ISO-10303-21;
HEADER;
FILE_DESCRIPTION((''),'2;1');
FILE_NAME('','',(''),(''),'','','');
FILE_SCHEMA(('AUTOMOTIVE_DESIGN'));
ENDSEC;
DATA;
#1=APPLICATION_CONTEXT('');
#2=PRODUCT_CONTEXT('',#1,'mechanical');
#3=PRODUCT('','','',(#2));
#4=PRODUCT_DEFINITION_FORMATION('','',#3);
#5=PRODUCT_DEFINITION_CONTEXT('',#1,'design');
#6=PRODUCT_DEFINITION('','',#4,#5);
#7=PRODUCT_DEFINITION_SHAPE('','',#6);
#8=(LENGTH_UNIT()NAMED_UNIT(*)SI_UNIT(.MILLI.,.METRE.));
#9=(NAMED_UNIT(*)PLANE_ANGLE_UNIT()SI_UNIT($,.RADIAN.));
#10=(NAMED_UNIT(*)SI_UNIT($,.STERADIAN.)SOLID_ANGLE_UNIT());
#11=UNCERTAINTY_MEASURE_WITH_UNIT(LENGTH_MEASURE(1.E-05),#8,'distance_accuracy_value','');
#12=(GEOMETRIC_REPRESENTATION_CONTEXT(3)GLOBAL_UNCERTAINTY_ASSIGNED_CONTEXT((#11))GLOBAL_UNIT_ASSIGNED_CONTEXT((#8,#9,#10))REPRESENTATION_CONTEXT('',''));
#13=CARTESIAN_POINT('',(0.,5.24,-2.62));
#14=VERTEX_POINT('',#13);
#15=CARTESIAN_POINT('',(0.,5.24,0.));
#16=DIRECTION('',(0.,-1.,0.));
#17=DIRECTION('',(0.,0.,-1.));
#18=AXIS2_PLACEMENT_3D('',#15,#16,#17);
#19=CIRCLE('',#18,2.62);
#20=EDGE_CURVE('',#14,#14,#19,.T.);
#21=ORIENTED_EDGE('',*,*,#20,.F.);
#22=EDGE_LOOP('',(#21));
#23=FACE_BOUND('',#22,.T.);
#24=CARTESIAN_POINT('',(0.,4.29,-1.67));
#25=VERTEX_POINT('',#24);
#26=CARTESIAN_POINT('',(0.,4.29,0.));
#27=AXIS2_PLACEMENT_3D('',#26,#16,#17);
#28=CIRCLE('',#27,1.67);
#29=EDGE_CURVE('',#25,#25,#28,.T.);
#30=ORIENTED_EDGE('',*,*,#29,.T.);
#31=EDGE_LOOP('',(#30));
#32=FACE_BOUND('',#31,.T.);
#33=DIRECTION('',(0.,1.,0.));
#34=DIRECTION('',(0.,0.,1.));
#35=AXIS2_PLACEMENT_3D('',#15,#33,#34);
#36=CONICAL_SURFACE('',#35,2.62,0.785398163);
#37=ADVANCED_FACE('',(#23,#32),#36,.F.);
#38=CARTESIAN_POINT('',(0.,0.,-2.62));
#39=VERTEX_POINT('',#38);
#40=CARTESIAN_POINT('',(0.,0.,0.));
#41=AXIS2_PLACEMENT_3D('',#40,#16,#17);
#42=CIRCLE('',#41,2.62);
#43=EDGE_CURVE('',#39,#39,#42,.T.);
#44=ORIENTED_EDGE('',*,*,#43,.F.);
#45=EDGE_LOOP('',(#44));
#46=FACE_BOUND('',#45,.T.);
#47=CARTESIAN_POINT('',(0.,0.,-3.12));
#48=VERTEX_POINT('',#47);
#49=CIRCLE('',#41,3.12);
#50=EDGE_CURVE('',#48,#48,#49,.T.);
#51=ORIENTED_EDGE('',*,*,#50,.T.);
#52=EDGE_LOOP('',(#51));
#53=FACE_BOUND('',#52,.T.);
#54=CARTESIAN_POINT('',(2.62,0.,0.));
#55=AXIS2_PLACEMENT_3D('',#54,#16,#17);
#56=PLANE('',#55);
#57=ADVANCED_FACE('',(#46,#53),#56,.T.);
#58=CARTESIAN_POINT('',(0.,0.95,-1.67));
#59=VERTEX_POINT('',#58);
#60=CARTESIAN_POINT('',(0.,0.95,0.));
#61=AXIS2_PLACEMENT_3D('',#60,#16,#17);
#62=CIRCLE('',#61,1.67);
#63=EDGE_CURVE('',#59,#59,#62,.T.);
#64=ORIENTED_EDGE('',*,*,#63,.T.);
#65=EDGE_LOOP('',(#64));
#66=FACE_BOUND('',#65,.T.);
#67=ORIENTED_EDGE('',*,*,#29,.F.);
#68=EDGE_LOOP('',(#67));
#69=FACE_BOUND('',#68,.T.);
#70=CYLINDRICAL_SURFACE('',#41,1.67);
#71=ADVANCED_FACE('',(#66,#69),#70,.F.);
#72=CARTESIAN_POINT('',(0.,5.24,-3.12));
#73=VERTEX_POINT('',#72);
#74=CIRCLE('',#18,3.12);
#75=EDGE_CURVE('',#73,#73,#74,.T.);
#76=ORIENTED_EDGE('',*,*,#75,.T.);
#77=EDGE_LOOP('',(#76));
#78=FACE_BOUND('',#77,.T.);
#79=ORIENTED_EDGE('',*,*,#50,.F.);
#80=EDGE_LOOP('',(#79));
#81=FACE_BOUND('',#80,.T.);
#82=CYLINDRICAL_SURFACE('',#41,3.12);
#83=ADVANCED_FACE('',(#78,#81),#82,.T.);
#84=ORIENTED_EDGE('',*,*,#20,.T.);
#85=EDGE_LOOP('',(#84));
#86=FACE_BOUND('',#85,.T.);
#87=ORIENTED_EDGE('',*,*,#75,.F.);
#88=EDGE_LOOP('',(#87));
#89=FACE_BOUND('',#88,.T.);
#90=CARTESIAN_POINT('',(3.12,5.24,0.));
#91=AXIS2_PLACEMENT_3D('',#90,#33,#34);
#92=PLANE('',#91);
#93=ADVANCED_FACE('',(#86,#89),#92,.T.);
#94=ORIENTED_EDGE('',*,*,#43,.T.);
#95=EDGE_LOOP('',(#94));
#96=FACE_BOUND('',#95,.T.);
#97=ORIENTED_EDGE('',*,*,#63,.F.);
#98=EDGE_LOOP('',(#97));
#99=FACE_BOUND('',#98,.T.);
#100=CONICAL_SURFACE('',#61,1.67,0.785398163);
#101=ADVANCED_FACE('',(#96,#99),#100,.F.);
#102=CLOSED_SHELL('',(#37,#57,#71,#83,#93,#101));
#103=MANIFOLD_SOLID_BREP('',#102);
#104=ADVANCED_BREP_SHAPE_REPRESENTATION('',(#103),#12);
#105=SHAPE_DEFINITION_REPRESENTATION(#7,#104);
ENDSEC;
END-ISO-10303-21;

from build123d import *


with BuildPart() as part:
    # 草图1 → 旋转1 (revolve)
    with BuildSketch(Plane.XY, mode=Mode.PRIVATE) as revolve_1_sk:
        Polygon((3.12, 0), (3.12, 5.24), (2.62, 5.24), (1.67, 4.29), (1.67, 0.95), (2.62, 0), align=None)
    revolve(revolve_1_sk.sketch.rotate(Axis((0, 0, 0), (0, 1, 0)), 90), axis=Axis((0, 0, 0), (0, 1, 0)))


solid = part.part
